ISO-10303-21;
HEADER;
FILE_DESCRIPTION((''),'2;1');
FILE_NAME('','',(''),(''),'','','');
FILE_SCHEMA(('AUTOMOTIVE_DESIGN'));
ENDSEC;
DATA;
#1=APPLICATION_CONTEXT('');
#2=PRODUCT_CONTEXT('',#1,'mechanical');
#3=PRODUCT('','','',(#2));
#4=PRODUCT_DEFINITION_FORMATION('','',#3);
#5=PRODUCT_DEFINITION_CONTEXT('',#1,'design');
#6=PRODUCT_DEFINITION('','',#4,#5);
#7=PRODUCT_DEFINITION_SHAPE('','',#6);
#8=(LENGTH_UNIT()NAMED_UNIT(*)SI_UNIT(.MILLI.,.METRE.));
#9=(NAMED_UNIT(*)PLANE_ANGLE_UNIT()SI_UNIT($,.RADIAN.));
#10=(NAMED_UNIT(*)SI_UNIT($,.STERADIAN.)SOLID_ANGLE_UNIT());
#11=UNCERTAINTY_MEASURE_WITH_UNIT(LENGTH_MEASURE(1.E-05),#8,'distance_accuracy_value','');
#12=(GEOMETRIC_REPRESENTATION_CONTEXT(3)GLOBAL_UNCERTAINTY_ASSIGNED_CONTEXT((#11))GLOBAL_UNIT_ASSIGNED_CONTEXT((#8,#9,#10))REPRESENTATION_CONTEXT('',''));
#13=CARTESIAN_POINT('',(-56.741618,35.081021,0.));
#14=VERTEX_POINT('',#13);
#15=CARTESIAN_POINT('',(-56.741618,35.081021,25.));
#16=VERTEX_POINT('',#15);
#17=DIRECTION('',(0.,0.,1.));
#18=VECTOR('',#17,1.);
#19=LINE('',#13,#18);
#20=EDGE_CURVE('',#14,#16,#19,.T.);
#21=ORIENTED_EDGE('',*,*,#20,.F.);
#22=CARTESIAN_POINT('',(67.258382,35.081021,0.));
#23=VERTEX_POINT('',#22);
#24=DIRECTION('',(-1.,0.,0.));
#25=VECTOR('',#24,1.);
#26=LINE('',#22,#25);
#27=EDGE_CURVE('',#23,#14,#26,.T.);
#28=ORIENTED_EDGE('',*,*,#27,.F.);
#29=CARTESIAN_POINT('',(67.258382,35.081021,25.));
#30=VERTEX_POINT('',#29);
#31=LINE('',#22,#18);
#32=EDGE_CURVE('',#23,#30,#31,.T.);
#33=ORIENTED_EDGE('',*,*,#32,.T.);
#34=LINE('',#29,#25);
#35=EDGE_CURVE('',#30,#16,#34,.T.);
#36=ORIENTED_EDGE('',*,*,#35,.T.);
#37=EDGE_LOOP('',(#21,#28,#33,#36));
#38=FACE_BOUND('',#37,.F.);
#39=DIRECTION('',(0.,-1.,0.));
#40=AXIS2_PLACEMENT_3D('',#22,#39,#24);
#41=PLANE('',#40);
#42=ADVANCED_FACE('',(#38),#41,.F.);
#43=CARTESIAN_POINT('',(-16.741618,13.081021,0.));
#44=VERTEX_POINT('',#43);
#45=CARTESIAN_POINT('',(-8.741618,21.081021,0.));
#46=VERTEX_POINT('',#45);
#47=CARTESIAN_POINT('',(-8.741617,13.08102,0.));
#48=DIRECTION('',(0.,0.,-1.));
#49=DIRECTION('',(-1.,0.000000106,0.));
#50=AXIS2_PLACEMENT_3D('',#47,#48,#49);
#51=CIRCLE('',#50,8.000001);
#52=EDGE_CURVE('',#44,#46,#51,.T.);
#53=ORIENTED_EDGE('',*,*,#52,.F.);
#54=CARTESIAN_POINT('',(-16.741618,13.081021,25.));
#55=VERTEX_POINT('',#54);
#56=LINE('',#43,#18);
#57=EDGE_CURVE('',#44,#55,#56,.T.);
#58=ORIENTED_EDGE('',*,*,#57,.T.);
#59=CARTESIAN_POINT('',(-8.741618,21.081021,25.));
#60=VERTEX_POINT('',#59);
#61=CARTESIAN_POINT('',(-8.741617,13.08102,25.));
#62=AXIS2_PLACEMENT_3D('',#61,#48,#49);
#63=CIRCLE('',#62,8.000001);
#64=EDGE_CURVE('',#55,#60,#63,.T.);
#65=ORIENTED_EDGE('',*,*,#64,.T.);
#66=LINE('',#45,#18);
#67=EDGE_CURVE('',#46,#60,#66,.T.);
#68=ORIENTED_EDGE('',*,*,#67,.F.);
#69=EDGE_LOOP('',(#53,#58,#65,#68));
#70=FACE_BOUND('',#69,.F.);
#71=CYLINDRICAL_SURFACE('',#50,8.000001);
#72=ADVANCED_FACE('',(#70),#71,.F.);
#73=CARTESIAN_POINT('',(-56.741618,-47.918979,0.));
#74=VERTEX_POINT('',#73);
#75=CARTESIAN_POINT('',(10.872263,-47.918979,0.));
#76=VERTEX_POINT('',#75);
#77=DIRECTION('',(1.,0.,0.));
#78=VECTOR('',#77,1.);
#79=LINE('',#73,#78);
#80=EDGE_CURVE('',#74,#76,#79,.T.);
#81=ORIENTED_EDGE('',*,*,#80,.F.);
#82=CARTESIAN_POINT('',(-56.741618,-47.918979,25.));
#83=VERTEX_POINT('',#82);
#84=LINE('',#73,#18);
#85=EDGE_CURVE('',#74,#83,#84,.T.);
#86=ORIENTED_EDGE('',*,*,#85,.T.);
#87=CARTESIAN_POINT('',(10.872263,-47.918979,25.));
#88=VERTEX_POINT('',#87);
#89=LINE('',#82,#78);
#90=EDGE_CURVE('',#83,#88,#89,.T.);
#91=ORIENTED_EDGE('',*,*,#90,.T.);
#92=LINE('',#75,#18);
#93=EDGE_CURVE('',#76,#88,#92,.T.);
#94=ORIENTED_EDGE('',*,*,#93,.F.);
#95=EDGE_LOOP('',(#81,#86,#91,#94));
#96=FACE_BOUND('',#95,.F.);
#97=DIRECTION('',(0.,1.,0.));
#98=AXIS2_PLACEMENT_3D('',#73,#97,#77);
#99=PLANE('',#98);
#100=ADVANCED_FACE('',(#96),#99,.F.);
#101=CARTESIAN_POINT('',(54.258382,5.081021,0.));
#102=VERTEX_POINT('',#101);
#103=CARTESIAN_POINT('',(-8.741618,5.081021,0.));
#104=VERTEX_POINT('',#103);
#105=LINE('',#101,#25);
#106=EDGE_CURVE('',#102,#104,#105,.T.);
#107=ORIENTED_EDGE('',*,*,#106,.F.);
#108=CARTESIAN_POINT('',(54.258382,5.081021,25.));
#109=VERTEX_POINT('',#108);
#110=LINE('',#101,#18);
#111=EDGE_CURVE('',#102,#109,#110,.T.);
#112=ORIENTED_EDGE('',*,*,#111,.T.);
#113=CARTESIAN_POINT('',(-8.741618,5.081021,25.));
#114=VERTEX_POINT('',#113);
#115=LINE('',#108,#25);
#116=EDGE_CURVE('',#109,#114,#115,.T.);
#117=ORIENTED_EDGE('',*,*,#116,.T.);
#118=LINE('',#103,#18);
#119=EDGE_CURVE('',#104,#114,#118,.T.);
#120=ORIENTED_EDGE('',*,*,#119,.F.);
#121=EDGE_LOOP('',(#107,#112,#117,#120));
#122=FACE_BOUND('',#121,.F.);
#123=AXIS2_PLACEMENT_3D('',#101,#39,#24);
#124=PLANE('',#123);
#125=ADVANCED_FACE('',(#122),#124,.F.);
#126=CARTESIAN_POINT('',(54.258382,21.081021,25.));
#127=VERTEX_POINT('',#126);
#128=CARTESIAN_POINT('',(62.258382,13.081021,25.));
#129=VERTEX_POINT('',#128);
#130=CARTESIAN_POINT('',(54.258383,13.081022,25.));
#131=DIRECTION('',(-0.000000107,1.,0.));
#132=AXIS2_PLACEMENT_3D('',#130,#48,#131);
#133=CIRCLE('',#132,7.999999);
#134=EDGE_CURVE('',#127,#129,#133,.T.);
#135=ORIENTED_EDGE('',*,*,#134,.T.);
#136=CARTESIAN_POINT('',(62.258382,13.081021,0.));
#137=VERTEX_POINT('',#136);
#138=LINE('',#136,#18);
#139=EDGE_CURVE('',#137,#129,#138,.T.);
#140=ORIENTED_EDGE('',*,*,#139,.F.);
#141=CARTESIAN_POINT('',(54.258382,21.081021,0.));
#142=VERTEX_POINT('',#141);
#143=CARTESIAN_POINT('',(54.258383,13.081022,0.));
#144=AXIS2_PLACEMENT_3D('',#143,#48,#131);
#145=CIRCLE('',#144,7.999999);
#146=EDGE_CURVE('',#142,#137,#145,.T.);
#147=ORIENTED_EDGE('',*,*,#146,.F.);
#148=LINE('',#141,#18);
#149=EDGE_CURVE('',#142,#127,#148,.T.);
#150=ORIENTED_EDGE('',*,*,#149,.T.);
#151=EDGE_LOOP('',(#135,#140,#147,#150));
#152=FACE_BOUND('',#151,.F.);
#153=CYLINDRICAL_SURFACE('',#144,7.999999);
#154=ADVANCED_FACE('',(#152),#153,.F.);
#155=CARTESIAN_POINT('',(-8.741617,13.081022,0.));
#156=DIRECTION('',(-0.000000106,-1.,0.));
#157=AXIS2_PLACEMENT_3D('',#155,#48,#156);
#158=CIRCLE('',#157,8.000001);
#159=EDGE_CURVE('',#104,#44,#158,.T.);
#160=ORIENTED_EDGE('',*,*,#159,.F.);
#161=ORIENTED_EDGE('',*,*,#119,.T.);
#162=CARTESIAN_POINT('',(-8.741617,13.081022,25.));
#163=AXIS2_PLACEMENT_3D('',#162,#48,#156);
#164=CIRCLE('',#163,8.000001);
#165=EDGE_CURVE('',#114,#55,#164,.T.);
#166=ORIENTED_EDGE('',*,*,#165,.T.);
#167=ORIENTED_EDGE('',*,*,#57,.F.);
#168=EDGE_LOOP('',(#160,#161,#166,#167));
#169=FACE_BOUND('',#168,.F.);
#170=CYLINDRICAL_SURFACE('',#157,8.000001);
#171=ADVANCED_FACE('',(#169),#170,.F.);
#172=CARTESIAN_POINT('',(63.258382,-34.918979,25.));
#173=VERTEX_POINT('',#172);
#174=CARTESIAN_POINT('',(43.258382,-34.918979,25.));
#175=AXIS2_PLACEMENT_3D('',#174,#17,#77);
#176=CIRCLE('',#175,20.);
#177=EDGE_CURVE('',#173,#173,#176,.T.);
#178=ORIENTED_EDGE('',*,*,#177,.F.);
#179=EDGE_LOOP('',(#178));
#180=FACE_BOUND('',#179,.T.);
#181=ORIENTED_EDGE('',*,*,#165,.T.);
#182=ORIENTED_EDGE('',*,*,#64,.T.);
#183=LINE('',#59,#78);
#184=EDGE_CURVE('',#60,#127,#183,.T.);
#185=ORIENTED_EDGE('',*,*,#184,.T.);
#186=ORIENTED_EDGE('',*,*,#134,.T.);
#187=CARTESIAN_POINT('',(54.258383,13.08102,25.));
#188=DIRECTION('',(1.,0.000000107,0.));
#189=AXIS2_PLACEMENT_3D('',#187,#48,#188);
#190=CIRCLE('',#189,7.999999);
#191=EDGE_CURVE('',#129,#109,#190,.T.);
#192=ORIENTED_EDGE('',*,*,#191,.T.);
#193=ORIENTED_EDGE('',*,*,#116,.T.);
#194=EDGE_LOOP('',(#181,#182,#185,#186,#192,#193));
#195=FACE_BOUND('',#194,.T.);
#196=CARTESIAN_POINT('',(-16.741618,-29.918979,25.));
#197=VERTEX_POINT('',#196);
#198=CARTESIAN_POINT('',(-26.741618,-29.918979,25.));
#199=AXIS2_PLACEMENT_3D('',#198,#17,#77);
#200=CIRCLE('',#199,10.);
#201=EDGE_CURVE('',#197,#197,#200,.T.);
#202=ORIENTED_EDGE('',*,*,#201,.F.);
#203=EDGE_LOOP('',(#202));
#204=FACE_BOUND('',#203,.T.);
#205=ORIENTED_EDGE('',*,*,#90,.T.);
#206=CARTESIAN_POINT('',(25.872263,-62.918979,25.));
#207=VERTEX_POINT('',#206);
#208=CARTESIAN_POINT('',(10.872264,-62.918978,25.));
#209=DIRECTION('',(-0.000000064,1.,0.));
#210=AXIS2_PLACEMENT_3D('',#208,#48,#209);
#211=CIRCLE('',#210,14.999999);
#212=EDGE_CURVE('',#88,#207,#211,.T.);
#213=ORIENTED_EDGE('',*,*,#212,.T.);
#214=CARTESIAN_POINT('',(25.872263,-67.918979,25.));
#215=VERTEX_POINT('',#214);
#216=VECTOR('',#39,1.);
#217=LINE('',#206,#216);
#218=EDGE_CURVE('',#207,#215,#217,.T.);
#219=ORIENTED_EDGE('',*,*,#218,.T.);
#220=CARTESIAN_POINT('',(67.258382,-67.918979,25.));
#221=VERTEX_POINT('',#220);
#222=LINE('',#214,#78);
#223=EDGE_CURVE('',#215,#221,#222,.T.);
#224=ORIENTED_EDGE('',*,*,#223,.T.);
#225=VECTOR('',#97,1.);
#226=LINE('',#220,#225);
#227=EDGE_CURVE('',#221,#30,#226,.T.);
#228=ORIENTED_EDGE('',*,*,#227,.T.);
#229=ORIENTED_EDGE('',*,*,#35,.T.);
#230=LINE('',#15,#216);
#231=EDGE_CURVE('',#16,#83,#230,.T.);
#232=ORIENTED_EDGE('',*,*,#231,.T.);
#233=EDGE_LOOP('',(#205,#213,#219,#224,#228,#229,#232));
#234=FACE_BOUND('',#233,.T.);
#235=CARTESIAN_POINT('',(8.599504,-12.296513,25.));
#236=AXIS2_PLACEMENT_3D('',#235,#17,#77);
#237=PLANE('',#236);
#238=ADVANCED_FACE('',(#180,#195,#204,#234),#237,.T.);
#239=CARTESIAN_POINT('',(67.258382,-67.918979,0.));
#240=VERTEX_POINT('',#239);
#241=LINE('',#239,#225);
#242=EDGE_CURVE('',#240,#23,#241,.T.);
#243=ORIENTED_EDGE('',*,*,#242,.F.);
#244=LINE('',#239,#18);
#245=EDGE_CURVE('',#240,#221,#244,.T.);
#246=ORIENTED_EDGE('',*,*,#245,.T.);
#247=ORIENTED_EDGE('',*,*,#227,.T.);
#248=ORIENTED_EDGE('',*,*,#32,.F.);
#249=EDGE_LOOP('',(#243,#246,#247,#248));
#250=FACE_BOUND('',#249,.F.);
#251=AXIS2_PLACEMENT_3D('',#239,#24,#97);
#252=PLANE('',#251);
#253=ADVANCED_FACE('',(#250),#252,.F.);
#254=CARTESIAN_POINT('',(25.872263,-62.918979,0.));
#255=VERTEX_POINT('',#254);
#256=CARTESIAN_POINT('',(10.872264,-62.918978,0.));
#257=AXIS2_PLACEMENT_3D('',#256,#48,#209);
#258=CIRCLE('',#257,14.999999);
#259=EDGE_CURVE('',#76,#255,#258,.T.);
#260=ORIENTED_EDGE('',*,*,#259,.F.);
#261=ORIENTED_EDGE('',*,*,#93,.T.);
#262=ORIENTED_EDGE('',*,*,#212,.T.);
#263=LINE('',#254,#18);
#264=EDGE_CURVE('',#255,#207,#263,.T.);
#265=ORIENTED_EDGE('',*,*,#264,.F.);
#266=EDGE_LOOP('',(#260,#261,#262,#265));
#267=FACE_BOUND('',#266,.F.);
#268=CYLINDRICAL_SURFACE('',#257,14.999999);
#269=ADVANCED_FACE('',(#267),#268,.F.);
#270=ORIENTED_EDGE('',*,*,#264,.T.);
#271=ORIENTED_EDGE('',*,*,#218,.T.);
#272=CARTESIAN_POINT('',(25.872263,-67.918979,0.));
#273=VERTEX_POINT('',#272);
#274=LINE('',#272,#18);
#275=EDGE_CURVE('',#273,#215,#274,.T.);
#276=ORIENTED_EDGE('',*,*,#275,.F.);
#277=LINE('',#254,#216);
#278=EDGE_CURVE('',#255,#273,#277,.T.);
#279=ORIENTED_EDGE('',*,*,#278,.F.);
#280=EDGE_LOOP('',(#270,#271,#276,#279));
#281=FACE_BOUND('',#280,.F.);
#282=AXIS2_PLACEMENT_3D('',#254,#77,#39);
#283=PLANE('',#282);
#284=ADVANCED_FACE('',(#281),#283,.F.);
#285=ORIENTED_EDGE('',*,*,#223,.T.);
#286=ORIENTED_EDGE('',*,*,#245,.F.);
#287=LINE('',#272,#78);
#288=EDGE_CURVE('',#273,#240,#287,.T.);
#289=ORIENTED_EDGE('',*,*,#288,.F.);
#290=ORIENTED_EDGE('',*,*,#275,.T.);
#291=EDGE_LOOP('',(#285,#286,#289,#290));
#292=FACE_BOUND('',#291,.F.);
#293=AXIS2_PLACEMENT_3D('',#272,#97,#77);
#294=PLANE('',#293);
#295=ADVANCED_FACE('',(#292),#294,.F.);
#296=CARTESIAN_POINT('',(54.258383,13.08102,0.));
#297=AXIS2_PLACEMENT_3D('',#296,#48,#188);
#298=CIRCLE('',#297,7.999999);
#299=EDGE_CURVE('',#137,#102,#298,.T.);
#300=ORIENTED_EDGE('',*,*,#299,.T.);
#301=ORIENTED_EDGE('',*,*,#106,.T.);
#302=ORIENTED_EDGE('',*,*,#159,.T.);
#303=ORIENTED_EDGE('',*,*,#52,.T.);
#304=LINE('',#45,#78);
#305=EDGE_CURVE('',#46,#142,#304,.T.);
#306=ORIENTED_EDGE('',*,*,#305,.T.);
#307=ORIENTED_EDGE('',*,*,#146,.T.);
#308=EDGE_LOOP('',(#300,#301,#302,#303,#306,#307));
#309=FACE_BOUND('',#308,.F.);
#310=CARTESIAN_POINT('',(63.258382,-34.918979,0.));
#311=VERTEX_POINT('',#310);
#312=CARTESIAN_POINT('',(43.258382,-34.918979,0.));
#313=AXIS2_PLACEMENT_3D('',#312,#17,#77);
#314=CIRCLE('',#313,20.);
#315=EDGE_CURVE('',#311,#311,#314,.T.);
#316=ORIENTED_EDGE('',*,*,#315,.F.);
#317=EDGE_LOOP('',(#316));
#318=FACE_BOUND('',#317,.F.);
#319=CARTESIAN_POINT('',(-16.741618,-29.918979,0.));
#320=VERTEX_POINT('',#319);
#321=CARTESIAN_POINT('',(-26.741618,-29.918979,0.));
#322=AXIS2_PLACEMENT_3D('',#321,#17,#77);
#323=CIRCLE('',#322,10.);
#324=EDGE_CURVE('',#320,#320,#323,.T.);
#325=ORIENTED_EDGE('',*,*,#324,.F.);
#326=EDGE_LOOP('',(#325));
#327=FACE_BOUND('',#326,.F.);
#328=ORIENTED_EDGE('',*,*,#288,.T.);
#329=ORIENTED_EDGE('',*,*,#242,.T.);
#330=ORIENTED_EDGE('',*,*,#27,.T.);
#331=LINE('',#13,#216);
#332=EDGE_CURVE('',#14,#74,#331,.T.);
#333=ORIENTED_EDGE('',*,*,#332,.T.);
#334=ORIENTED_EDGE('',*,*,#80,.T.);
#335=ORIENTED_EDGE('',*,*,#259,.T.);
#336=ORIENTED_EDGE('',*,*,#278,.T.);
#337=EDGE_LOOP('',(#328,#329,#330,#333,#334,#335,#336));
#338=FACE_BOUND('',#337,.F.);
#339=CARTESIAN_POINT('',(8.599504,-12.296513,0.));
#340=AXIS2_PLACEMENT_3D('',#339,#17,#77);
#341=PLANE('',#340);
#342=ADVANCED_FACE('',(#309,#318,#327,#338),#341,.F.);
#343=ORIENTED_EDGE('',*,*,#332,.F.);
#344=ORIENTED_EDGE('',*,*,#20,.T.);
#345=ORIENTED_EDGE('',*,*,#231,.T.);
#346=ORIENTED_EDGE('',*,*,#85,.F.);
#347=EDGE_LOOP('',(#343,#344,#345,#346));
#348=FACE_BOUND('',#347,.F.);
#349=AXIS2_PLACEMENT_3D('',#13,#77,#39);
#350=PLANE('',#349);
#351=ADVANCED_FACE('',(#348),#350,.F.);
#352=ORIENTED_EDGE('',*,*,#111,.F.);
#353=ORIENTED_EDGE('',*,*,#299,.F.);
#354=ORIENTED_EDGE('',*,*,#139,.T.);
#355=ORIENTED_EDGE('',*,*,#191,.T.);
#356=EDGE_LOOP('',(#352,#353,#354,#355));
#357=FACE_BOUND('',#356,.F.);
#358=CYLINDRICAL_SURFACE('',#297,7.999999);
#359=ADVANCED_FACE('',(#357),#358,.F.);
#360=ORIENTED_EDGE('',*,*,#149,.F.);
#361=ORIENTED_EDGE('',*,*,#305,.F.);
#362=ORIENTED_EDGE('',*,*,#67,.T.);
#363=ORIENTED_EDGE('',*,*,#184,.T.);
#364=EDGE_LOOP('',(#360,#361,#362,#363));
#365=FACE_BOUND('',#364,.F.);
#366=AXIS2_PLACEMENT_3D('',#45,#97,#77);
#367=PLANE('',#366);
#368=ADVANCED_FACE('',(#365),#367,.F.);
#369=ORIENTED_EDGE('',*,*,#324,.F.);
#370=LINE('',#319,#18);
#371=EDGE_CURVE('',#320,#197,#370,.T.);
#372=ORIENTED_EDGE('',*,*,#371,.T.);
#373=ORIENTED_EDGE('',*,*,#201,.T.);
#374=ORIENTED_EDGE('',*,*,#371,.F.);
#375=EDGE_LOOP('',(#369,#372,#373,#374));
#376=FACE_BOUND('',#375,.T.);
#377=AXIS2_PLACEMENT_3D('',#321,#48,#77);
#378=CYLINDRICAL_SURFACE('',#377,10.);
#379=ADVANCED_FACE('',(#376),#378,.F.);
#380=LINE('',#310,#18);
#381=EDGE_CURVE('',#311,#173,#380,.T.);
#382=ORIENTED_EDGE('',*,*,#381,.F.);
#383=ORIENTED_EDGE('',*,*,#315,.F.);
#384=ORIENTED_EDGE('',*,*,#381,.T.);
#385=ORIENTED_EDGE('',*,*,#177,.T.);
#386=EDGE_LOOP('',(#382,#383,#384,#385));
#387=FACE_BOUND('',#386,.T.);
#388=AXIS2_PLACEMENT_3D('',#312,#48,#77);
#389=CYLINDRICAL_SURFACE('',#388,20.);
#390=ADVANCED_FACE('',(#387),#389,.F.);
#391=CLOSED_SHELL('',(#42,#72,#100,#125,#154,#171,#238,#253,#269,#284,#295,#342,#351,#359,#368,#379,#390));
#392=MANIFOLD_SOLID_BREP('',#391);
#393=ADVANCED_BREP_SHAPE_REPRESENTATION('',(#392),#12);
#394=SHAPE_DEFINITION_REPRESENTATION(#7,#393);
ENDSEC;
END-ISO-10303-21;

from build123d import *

# Parameters (mm, degrees)
F0_R     = 10
F0_R_2   = 20
F1_DEPTH = 25


with BuildPart() as f1:
    # F0 (on Top) → F1 (new body)
    with BuildSketch(Plane.XY):
        with BuildLine():
            Line((25.872263, -67.918979), (67.258382, -67.918979))
            Line((67.258382, -67.918979), (67.258382, 5.081021))
            Line((67.258382, 5.081021), (67.258382, 35.081021))
            Line((67.258382, 35.081021), (43.258382, 35.081021))
            Line((43.258382, 35.081021), (-56.741618, 35.081021))
            Line((-56.741618, 35.081021), (-56.741618, -47.918979))
            Line((-56.741618, -47.918979), (10.872263, -47.918979))
            ThreePointArc((10.872263, -47.918979), (21.478865, -52.312377), (25.872263, -62.918979))
            Line((25.872263, -62.918979), (25.872263, -67.918979))
        make_face()
        with Locations((-26.741618, -29.918979)):
            Circle(F0_R, mode=Mode.SUBTRACT)
        with Locations((43.258382, -34.918979)):
            Circle(F0_R_2, mode=Mode.SUBTRACT)
        with BuildLine():
            Line((54.258382, 5.081021), (-8.741618, 5.081021))
            ThreePointArc((-8.741618, 5.081021), (-14.398472, 7.424167), (-16.741618, 13.081021))
            ThreePointArc((-16.741618, 13.081021), (-14.398472, 18.737875), (-8.741618, 21.081021))
            Line((-8.741618, 21.081021), (54.258382, 21.081021))
            ThreePointArc((54.258382, 21.081021), (59.915237, 18.737875), (62.258382, 13.081021))
            ThreePointArc((62.258382, 13.081021), (59.915237, 7.424167), (54.258382, 5.081021))
        make_face(mode=Mode.SUBTRACT)
    extrude(amount=F1_DEPTH)


solid = f1.part
